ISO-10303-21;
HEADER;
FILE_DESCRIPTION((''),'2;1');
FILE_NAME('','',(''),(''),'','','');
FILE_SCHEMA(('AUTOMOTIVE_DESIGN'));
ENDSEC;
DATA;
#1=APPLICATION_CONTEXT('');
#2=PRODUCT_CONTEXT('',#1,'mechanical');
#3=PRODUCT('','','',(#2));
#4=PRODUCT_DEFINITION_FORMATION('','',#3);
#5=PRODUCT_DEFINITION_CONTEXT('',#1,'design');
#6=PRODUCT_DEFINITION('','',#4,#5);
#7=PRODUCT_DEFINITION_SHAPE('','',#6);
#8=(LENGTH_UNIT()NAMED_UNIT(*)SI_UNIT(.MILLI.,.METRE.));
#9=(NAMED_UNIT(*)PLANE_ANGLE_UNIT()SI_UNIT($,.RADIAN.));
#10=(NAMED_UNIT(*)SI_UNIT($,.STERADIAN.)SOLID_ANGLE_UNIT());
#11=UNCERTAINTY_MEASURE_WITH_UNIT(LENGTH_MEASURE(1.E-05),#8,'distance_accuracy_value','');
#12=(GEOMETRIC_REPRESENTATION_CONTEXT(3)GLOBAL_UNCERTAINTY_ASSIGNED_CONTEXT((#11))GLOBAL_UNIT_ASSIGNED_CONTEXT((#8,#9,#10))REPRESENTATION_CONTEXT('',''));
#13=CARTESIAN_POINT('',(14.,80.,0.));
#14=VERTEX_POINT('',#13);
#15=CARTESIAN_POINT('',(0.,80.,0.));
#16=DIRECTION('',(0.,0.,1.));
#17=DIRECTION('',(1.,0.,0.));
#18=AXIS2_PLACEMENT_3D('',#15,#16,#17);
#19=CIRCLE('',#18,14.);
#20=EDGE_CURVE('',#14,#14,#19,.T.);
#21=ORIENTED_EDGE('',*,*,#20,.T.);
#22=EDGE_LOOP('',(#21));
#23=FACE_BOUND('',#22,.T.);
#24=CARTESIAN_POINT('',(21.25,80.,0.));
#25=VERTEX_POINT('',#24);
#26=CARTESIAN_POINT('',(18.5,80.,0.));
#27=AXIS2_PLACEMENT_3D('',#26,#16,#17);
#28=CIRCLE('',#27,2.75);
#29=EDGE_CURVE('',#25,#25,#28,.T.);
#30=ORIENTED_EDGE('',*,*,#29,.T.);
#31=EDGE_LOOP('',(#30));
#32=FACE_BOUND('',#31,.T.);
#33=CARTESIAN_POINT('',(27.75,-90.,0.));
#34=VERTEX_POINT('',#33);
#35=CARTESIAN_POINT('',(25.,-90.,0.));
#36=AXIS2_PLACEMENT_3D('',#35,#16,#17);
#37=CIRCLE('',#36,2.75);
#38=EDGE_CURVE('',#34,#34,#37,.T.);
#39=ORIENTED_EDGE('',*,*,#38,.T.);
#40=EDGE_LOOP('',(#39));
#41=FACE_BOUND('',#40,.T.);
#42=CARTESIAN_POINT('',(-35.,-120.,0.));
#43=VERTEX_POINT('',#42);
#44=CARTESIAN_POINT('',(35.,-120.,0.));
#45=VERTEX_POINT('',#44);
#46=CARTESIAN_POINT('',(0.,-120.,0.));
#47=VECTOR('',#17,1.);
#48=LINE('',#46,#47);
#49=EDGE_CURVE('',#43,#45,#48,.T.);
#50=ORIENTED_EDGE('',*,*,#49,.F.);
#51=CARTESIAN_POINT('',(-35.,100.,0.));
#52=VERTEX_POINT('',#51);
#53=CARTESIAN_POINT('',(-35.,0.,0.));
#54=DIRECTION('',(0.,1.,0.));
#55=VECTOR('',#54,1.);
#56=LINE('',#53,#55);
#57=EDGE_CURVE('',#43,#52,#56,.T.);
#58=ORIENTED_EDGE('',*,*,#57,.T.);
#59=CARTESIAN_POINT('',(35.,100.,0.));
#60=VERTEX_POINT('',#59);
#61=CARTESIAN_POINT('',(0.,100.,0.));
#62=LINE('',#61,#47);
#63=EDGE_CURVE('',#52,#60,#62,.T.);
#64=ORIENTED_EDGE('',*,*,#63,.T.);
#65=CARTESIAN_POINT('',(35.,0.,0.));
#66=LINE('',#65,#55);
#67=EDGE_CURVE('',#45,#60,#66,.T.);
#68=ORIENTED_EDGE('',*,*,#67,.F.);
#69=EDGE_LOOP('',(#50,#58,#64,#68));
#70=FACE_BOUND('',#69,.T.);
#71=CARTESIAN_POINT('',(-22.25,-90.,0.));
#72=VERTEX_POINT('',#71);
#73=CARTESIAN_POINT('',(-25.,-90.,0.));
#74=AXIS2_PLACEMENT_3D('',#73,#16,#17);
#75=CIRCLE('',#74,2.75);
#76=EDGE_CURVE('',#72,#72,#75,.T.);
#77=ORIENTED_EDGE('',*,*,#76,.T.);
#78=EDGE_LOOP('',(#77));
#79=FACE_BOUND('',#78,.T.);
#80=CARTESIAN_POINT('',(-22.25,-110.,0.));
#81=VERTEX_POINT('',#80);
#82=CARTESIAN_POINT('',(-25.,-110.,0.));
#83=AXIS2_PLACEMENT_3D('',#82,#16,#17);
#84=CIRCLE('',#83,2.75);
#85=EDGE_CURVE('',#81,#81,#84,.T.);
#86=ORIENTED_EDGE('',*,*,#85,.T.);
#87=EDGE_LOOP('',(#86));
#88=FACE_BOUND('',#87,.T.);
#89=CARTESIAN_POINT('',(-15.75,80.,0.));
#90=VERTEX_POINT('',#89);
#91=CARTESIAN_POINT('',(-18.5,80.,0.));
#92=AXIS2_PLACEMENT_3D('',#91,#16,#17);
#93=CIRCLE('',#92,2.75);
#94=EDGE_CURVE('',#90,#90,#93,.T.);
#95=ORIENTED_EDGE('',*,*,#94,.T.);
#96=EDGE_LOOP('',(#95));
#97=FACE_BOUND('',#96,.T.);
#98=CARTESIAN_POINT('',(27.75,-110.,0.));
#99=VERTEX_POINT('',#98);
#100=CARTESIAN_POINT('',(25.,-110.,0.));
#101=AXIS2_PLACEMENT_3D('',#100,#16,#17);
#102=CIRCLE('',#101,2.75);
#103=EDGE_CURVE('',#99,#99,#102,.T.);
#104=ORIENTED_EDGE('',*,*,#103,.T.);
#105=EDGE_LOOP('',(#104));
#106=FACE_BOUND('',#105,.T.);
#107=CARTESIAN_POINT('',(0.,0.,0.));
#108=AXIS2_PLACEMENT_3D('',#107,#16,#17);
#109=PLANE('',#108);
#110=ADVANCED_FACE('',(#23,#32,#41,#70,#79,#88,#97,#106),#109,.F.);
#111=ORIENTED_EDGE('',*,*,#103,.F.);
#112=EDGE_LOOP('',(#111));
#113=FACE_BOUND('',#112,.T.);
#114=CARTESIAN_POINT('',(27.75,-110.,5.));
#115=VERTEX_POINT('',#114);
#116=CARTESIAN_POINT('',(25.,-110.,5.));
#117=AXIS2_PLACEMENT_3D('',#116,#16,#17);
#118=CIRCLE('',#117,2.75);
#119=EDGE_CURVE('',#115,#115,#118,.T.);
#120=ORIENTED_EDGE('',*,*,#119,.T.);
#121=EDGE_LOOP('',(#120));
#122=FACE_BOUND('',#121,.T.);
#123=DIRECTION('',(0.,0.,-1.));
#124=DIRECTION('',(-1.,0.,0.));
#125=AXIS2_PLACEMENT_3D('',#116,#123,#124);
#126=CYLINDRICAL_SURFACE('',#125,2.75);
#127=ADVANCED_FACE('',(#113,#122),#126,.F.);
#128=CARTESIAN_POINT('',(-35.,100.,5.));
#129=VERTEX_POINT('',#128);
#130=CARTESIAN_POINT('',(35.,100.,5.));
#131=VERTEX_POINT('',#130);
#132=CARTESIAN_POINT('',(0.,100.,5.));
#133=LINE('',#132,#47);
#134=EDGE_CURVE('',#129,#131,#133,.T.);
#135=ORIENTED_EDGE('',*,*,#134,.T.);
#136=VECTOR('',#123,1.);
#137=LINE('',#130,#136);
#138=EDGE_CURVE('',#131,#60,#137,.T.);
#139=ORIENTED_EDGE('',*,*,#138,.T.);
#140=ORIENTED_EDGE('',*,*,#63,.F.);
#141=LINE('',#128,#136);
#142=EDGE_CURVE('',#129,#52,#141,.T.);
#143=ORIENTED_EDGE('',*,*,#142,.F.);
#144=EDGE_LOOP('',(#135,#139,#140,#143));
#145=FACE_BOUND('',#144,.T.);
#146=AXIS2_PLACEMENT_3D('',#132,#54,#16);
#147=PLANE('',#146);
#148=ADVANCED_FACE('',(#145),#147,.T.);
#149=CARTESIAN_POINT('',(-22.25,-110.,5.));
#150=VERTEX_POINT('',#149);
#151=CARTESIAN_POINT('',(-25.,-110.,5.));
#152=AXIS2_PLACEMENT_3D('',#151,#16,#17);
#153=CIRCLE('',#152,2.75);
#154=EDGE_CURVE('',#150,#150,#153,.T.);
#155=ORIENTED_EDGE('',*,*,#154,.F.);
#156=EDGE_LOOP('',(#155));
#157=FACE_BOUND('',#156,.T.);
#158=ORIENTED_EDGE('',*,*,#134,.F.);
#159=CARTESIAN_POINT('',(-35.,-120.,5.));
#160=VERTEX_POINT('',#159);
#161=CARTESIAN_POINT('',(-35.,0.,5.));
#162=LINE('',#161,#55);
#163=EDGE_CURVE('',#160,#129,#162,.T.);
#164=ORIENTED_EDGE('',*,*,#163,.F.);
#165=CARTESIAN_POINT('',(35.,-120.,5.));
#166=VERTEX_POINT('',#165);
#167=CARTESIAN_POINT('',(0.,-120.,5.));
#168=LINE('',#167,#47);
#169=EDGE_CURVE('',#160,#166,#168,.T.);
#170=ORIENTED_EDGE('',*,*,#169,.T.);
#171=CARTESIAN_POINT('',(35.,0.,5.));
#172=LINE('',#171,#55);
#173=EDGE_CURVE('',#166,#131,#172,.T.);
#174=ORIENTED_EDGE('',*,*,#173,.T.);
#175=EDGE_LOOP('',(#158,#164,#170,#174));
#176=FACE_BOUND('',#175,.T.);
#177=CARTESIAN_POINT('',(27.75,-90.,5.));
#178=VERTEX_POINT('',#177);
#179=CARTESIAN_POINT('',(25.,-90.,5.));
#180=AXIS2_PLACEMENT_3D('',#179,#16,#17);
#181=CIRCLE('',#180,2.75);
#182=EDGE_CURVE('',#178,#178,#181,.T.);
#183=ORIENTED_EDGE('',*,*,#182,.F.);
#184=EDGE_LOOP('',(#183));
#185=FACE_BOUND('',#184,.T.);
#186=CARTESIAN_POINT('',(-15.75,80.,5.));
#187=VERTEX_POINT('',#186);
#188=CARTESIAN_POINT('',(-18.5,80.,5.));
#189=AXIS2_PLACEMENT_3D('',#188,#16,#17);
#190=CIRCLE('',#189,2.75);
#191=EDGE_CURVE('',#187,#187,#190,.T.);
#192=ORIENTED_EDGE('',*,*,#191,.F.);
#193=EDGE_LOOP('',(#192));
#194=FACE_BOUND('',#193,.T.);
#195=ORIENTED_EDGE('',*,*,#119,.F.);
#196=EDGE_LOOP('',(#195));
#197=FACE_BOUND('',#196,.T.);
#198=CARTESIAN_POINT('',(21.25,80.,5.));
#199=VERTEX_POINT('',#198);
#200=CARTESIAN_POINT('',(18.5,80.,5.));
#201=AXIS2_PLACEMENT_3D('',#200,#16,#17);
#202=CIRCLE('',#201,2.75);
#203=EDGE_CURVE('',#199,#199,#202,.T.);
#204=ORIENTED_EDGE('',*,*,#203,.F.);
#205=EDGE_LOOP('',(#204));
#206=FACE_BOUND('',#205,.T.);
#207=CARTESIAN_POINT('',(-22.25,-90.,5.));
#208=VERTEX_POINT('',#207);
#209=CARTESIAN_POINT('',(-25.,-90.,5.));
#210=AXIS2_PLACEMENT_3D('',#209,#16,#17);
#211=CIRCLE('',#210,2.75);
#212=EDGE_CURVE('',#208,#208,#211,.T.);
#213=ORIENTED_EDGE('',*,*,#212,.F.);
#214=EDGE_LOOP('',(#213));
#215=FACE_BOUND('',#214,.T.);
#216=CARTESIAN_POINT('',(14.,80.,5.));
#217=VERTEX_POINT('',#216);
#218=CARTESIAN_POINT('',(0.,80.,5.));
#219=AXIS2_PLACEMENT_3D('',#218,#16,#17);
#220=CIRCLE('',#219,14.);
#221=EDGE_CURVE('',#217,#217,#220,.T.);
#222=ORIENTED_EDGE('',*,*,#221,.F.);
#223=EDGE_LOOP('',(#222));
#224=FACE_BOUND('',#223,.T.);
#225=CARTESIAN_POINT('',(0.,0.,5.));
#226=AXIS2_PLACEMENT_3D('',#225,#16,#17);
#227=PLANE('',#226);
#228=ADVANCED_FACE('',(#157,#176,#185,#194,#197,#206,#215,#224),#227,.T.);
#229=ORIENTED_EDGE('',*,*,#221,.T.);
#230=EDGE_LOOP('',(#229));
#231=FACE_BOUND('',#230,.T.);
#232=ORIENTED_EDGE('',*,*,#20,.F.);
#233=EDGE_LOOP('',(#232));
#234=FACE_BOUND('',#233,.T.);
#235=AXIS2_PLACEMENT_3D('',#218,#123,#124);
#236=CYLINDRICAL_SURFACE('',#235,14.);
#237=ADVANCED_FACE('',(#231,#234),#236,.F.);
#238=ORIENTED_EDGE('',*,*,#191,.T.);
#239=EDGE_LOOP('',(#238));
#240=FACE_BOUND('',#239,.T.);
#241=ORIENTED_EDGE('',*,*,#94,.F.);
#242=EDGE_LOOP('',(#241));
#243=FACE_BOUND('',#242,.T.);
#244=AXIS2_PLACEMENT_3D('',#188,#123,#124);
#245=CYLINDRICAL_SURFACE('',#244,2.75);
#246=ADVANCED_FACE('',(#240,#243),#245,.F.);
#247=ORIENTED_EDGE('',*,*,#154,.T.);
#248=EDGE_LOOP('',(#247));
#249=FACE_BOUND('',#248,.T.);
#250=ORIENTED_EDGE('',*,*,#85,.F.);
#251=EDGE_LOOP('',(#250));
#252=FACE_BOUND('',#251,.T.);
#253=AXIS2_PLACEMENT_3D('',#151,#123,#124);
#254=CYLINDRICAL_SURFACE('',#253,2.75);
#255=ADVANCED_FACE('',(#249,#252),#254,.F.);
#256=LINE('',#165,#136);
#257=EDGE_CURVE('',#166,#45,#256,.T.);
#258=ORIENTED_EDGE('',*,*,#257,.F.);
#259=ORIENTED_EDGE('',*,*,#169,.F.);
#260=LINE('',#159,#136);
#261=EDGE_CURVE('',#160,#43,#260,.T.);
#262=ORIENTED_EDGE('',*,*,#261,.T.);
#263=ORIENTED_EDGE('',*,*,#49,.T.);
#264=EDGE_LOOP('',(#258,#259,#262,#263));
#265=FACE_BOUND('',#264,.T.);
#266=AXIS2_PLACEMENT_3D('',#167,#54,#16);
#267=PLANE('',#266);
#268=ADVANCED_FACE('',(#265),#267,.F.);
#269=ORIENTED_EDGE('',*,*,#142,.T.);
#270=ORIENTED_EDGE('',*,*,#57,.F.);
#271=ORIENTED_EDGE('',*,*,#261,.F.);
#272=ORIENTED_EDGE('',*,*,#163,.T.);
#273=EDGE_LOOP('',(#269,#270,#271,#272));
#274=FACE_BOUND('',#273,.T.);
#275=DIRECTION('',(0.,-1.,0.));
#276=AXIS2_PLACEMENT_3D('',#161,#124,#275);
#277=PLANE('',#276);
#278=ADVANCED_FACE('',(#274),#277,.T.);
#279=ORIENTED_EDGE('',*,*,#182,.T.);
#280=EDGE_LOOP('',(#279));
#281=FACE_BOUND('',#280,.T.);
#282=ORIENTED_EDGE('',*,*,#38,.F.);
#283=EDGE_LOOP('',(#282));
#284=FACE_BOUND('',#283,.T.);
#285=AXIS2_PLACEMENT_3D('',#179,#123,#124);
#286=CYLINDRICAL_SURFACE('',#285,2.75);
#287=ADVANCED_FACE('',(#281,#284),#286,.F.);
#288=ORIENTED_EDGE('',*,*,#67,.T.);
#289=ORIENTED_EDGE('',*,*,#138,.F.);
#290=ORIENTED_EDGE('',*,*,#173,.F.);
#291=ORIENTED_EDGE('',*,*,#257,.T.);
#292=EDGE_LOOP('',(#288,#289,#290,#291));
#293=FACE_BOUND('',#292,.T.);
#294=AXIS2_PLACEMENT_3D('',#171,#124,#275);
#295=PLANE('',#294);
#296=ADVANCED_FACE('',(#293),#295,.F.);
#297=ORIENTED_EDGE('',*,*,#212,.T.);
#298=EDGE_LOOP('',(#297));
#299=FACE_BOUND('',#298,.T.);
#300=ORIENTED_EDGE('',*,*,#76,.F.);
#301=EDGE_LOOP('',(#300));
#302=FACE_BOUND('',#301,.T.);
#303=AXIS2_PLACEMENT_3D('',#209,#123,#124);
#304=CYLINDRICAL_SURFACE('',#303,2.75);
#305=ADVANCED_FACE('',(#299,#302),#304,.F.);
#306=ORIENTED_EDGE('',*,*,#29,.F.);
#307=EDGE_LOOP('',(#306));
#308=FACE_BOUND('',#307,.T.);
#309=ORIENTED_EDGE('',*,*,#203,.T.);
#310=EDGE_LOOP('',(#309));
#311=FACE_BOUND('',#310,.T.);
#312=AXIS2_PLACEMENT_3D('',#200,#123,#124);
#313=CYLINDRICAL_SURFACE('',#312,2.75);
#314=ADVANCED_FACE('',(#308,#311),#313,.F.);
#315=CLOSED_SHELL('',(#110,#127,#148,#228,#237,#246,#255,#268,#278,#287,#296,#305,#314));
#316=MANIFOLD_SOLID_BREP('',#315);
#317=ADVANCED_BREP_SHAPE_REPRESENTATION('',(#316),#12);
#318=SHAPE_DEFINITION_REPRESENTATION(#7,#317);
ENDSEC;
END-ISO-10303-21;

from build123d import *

# Parameters (mm, degrees)
SKETCH1_R           = 14
SKETCH1_R_2         = 2.75
BOSS_EXTRUDE1_DEPTH = 5


with BuildPart() as part:
    # Sketch1 → Boss-Extrude1 (new body)
    with BuildSketch(Plane.XY):
        Polygon((-35, -120), (35, -120), (35, -100), (35, 100), (-35, 100), (-35, -100), align=None)
        with Locations((0, 80)):
            Circle(SKETCH1_R, mode=Mode.SUBTRACT)
        with Locations((-25, -110)):
            Circle(SKETCH1_R_2, mode=Mode.SUBTRACT)
        with Locations((25, -110)):
            Circle(SKETCH1_R_2, mode=Mode.SUBTRACT)
        with Locations((25, -90)):
            Circle(SKETCH1_R_2, mode=Mode.SUBTRACT)
        with Locations((-25, -90)):
            Circle(SKETCH1_R_2, mode=Mode.SUBTRACT)
        with Locations((18.5, 80)):
            Circle(SKETCH1_R_2, mode=Mode.SUBTRACT)
        with Locations((-18.5, 80)):
            Circle(SKETCH1_R_2, mode=Mode.SUBTRACT)
    extrude(amount=BOSS_EXTRUDE1_DEPTH)


solid = part.part
